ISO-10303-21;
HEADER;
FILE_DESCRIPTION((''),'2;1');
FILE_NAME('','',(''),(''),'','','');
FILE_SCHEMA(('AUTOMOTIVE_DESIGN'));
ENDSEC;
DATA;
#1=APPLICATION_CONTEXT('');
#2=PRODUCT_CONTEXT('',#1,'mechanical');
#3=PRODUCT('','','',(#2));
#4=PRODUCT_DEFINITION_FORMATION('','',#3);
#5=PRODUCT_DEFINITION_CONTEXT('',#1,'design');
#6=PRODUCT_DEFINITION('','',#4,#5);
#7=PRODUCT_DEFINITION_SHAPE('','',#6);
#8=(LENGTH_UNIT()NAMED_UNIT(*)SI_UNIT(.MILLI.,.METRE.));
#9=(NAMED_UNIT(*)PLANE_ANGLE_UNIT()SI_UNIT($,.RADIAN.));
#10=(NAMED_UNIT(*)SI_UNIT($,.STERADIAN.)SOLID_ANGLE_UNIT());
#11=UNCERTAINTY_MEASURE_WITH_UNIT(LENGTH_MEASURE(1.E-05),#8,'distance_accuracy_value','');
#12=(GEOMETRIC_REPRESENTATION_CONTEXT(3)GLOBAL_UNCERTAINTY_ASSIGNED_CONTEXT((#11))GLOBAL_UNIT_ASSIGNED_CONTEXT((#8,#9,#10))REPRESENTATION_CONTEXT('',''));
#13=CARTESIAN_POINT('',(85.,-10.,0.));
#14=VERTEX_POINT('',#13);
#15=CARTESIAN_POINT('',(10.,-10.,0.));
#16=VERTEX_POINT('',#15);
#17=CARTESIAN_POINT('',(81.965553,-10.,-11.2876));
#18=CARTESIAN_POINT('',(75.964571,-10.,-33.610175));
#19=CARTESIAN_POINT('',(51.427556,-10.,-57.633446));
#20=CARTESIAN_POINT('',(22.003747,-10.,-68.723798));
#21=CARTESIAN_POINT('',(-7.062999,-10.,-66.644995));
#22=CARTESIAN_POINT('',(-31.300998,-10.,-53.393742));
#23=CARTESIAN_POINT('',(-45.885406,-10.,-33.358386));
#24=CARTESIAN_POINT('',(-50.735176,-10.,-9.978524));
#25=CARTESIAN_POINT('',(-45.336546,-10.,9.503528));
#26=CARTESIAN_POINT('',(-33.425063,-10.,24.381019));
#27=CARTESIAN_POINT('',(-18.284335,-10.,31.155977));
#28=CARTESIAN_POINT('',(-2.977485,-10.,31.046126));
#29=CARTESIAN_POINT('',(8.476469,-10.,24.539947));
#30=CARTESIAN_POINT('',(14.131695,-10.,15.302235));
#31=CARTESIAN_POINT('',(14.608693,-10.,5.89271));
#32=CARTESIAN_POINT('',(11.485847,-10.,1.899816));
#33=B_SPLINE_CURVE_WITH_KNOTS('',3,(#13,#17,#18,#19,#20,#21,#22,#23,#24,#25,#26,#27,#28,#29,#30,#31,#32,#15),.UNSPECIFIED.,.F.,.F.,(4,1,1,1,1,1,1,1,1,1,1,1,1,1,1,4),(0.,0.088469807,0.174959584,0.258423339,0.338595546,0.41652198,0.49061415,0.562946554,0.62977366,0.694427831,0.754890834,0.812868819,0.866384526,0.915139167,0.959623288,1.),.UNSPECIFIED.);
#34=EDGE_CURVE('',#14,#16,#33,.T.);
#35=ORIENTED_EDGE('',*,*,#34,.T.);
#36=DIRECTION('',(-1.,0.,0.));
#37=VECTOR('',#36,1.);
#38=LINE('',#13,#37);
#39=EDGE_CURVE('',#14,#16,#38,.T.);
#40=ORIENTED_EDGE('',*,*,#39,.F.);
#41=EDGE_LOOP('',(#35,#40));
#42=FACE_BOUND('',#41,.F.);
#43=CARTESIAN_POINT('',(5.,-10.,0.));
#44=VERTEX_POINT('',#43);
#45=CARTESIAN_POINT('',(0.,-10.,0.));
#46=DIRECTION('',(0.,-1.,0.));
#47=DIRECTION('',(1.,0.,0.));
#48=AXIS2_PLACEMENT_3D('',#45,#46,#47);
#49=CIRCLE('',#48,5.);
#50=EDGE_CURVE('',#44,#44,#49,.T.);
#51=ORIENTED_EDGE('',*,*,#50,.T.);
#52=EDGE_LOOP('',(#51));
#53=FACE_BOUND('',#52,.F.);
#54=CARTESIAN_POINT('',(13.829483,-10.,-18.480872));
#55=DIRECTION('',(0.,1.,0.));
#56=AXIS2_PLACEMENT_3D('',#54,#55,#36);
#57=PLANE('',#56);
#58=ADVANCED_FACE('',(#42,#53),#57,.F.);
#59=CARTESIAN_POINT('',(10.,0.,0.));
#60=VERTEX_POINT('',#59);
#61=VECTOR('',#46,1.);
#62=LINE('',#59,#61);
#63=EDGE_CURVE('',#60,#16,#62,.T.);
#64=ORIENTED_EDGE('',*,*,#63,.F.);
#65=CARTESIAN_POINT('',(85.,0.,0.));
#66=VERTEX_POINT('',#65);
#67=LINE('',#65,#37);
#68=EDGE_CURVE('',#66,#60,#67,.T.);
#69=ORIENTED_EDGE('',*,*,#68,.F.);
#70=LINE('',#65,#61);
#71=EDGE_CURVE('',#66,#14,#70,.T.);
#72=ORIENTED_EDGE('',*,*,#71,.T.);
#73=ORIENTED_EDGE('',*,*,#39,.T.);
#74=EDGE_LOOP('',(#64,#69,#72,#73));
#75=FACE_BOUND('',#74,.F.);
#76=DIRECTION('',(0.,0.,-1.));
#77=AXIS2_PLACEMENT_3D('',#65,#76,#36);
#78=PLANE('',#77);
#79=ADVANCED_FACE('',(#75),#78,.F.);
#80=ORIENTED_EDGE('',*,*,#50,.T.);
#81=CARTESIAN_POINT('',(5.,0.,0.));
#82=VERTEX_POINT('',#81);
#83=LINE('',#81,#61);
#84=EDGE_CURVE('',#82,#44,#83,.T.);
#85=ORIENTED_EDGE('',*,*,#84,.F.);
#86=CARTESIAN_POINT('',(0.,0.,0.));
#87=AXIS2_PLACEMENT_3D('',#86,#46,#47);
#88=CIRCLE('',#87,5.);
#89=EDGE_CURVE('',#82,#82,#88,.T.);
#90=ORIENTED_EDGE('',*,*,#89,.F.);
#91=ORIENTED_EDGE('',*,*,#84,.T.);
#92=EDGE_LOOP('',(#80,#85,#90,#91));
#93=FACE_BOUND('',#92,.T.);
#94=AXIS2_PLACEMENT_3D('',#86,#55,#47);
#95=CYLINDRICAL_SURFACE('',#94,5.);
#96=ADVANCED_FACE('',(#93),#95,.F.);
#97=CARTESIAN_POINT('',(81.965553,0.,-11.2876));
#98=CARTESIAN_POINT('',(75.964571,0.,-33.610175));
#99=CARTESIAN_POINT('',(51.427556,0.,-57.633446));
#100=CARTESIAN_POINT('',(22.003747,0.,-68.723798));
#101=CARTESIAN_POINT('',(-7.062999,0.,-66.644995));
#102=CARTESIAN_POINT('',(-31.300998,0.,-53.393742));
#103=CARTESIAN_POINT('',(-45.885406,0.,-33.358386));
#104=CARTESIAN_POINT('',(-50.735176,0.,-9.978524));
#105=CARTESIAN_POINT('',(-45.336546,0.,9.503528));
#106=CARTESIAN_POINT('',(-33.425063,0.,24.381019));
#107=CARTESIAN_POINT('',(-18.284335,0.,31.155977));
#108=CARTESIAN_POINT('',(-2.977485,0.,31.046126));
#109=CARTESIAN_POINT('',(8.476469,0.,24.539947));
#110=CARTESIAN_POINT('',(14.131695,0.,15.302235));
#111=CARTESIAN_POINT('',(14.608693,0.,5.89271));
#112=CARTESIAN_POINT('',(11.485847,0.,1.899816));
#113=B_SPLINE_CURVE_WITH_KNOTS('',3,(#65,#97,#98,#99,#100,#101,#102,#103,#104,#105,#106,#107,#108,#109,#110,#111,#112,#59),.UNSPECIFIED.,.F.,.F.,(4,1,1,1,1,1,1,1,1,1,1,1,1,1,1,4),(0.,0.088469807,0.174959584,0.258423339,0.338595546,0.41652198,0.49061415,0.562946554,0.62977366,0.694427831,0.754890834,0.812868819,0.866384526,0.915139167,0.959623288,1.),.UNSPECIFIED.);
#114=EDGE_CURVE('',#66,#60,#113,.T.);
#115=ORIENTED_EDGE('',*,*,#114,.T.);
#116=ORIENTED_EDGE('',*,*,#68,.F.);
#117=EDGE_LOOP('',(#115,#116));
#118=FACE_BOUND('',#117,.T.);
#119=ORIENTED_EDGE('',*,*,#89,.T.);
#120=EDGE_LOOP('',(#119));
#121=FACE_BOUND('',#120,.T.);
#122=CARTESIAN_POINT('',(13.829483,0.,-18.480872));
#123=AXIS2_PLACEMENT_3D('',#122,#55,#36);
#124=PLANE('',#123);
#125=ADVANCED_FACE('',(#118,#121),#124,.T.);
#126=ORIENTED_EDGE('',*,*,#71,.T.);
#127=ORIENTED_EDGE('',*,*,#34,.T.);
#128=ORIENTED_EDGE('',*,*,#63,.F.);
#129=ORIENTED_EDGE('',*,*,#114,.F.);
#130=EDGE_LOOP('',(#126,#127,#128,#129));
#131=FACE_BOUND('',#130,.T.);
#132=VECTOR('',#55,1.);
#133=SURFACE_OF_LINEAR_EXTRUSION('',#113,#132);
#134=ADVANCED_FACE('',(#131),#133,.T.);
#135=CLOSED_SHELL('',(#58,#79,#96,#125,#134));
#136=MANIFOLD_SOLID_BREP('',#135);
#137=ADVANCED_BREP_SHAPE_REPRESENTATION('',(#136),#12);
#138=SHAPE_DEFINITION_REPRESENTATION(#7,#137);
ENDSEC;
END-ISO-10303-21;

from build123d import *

# Parameters (mm, degrees)
F0_R     = 5
F1_DEPTH = 10


with BuildPart() as f1:
    # F0 (on Front) → F1 (new body)
    with BuildSketch(Plane.XZ):
        with BuildLine():
            add(Edge.make_bspline(
                [(85, 0), (81.9655526577, -11.287600354), (75.9645714977, -33.6101749207), (51.427555532, -57.6334464864), (22.0037465309, -68.7237977049), (-7.0629990614, -66.6449947579), (-31.3009980559, -53.3937415394), (-45.8854062786, -33.3583858764), (-50.7351759938, -9.9785236718), (-45.3365458913, 9.5035281734), (-33.4250634449, 24.3810185234), (-18.2843349717, 31.1559769534), (-2.9774849224, 31.046126199), (8.4764691278, 24.5399468843), (14.1316945355, 15.3022347643), (14.608693454, 5.8927104819), (11.4858474675, 1.8998158662), (10, 0)],
                knots=[0, 0, 0, 0, 0.0884698071, 0.1749595843, 0.258423339, 0.338595546, 0.4165219801, 0.4906141499, 0.5629465535, 0.6297736597, 0.6944278313, 0.7548908342, 0.8128688193, 0.8663845259, 0.9151391671, 0.9596232878, 1, 1, 1, 1], degree=3))
            Line((85, 0), (10, 0))
        make_face()
        Circle(F0_R, mode=Mode.SUBTRACT)
    extrude(amount=F1_DEPTH)


solid = f1.part
